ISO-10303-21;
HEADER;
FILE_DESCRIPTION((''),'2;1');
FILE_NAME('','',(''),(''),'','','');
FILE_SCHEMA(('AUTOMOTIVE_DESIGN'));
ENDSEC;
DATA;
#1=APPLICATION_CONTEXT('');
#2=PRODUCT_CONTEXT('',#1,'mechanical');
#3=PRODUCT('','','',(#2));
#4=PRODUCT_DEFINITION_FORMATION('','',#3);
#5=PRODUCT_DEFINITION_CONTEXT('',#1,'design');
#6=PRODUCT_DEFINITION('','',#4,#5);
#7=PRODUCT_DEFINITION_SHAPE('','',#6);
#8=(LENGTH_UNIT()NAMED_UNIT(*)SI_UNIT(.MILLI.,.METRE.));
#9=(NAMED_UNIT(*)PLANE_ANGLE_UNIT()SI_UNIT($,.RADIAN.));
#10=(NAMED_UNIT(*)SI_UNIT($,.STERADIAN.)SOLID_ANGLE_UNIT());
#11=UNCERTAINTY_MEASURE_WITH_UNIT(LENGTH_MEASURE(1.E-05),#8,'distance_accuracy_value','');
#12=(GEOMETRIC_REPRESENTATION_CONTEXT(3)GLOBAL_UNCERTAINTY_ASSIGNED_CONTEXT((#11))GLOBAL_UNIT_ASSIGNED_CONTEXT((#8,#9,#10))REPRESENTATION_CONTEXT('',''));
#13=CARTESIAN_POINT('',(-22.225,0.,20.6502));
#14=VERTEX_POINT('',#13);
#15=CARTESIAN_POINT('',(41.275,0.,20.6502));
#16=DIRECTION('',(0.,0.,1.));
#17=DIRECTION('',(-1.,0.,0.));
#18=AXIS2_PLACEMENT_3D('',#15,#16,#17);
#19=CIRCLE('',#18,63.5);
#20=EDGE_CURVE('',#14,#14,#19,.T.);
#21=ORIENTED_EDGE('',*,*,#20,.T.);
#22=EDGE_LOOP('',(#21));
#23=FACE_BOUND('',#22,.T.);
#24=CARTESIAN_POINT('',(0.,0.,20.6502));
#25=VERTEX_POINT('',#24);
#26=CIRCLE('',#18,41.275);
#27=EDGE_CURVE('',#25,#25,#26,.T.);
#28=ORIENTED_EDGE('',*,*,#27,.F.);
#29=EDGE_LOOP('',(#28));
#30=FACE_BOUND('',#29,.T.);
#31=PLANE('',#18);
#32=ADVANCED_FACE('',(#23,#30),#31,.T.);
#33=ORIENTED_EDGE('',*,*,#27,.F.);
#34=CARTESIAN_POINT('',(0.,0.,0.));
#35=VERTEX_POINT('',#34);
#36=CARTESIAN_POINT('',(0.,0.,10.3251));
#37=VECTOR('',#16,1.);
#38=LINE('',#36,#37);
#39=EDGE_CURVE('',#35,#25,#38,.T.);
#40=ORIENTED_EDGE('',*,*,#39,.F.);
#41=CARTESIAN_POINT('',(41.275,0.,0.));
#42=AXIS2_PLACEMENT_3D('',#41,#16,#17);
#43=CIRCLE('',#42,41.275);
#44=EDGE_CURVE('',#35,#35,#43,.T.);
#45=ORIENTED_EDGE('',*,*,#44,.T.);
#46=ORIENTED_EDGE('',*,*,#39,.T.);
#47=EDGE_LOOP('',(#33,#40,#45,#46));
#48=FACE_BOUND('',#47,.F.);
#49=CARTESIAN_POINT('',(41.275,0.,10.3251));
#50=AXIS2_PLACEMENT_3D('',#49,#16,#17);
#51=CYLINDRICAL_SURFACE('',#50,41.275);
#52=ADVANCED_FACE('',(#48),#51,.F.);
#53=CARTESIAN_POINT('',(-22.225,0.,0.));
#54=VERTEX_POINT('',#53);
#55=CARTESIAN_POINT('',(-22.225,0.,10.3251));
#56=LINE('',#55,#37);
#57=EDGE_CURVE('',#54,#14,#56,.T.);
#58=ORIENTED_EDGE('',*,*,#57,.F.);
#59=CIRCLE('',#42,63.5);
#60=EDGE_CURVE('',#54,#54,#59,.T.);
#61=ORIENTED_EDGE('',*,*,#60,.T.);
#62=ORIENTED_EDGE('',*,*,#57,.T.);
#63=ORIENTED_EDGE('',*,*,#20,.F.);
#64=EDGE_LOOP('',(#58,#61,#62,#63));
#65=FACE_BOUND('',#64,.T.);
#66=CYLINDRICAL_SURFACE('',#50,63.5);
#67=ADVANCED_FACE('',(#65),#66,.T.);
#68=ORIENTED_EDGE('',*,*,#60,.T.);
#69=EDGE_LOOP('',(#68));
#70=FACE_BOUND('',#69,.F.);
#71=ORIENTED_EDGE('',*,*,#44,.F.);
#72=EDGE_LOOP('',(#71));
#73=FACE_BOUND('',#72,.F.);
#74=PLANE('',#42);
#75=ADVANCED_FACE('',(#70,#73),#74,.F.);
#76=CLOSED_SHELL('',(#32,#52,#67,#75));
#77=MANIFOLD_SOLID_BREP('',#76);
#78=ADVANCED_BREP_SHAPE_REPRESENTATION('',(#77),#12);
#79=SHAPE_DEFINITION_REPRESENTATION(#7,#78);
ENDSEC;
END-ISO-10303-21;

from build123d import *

# Parameters (mm, degrees)
F0_W = 3.175
F0_H = 20.6502
F2_W = 22.225
F2_H = 20.6502


with BuildPart() as f1:
    # F0 (on Front) → F1 (revolve)
    with BuildSketch(Plane.XZ):
        with Locations((-1.5875, 10.3251)):
            Rectangle(F0_W, F0_H)
    revolve(axis=Axis((44.040905, 0, 19.471461), (0, 0, 1)))

    # F2 (on Front) → F3 (revolve)
    with BuildSketch(Plane.XZ):
        with Locations((-11.1125, 10.3251)):
            Rectangle(F2_W, F2_H)
    revolve(axis=Axis((41.275, 0, 14.79831), (0, 0, 1)))


solid = f1.part
